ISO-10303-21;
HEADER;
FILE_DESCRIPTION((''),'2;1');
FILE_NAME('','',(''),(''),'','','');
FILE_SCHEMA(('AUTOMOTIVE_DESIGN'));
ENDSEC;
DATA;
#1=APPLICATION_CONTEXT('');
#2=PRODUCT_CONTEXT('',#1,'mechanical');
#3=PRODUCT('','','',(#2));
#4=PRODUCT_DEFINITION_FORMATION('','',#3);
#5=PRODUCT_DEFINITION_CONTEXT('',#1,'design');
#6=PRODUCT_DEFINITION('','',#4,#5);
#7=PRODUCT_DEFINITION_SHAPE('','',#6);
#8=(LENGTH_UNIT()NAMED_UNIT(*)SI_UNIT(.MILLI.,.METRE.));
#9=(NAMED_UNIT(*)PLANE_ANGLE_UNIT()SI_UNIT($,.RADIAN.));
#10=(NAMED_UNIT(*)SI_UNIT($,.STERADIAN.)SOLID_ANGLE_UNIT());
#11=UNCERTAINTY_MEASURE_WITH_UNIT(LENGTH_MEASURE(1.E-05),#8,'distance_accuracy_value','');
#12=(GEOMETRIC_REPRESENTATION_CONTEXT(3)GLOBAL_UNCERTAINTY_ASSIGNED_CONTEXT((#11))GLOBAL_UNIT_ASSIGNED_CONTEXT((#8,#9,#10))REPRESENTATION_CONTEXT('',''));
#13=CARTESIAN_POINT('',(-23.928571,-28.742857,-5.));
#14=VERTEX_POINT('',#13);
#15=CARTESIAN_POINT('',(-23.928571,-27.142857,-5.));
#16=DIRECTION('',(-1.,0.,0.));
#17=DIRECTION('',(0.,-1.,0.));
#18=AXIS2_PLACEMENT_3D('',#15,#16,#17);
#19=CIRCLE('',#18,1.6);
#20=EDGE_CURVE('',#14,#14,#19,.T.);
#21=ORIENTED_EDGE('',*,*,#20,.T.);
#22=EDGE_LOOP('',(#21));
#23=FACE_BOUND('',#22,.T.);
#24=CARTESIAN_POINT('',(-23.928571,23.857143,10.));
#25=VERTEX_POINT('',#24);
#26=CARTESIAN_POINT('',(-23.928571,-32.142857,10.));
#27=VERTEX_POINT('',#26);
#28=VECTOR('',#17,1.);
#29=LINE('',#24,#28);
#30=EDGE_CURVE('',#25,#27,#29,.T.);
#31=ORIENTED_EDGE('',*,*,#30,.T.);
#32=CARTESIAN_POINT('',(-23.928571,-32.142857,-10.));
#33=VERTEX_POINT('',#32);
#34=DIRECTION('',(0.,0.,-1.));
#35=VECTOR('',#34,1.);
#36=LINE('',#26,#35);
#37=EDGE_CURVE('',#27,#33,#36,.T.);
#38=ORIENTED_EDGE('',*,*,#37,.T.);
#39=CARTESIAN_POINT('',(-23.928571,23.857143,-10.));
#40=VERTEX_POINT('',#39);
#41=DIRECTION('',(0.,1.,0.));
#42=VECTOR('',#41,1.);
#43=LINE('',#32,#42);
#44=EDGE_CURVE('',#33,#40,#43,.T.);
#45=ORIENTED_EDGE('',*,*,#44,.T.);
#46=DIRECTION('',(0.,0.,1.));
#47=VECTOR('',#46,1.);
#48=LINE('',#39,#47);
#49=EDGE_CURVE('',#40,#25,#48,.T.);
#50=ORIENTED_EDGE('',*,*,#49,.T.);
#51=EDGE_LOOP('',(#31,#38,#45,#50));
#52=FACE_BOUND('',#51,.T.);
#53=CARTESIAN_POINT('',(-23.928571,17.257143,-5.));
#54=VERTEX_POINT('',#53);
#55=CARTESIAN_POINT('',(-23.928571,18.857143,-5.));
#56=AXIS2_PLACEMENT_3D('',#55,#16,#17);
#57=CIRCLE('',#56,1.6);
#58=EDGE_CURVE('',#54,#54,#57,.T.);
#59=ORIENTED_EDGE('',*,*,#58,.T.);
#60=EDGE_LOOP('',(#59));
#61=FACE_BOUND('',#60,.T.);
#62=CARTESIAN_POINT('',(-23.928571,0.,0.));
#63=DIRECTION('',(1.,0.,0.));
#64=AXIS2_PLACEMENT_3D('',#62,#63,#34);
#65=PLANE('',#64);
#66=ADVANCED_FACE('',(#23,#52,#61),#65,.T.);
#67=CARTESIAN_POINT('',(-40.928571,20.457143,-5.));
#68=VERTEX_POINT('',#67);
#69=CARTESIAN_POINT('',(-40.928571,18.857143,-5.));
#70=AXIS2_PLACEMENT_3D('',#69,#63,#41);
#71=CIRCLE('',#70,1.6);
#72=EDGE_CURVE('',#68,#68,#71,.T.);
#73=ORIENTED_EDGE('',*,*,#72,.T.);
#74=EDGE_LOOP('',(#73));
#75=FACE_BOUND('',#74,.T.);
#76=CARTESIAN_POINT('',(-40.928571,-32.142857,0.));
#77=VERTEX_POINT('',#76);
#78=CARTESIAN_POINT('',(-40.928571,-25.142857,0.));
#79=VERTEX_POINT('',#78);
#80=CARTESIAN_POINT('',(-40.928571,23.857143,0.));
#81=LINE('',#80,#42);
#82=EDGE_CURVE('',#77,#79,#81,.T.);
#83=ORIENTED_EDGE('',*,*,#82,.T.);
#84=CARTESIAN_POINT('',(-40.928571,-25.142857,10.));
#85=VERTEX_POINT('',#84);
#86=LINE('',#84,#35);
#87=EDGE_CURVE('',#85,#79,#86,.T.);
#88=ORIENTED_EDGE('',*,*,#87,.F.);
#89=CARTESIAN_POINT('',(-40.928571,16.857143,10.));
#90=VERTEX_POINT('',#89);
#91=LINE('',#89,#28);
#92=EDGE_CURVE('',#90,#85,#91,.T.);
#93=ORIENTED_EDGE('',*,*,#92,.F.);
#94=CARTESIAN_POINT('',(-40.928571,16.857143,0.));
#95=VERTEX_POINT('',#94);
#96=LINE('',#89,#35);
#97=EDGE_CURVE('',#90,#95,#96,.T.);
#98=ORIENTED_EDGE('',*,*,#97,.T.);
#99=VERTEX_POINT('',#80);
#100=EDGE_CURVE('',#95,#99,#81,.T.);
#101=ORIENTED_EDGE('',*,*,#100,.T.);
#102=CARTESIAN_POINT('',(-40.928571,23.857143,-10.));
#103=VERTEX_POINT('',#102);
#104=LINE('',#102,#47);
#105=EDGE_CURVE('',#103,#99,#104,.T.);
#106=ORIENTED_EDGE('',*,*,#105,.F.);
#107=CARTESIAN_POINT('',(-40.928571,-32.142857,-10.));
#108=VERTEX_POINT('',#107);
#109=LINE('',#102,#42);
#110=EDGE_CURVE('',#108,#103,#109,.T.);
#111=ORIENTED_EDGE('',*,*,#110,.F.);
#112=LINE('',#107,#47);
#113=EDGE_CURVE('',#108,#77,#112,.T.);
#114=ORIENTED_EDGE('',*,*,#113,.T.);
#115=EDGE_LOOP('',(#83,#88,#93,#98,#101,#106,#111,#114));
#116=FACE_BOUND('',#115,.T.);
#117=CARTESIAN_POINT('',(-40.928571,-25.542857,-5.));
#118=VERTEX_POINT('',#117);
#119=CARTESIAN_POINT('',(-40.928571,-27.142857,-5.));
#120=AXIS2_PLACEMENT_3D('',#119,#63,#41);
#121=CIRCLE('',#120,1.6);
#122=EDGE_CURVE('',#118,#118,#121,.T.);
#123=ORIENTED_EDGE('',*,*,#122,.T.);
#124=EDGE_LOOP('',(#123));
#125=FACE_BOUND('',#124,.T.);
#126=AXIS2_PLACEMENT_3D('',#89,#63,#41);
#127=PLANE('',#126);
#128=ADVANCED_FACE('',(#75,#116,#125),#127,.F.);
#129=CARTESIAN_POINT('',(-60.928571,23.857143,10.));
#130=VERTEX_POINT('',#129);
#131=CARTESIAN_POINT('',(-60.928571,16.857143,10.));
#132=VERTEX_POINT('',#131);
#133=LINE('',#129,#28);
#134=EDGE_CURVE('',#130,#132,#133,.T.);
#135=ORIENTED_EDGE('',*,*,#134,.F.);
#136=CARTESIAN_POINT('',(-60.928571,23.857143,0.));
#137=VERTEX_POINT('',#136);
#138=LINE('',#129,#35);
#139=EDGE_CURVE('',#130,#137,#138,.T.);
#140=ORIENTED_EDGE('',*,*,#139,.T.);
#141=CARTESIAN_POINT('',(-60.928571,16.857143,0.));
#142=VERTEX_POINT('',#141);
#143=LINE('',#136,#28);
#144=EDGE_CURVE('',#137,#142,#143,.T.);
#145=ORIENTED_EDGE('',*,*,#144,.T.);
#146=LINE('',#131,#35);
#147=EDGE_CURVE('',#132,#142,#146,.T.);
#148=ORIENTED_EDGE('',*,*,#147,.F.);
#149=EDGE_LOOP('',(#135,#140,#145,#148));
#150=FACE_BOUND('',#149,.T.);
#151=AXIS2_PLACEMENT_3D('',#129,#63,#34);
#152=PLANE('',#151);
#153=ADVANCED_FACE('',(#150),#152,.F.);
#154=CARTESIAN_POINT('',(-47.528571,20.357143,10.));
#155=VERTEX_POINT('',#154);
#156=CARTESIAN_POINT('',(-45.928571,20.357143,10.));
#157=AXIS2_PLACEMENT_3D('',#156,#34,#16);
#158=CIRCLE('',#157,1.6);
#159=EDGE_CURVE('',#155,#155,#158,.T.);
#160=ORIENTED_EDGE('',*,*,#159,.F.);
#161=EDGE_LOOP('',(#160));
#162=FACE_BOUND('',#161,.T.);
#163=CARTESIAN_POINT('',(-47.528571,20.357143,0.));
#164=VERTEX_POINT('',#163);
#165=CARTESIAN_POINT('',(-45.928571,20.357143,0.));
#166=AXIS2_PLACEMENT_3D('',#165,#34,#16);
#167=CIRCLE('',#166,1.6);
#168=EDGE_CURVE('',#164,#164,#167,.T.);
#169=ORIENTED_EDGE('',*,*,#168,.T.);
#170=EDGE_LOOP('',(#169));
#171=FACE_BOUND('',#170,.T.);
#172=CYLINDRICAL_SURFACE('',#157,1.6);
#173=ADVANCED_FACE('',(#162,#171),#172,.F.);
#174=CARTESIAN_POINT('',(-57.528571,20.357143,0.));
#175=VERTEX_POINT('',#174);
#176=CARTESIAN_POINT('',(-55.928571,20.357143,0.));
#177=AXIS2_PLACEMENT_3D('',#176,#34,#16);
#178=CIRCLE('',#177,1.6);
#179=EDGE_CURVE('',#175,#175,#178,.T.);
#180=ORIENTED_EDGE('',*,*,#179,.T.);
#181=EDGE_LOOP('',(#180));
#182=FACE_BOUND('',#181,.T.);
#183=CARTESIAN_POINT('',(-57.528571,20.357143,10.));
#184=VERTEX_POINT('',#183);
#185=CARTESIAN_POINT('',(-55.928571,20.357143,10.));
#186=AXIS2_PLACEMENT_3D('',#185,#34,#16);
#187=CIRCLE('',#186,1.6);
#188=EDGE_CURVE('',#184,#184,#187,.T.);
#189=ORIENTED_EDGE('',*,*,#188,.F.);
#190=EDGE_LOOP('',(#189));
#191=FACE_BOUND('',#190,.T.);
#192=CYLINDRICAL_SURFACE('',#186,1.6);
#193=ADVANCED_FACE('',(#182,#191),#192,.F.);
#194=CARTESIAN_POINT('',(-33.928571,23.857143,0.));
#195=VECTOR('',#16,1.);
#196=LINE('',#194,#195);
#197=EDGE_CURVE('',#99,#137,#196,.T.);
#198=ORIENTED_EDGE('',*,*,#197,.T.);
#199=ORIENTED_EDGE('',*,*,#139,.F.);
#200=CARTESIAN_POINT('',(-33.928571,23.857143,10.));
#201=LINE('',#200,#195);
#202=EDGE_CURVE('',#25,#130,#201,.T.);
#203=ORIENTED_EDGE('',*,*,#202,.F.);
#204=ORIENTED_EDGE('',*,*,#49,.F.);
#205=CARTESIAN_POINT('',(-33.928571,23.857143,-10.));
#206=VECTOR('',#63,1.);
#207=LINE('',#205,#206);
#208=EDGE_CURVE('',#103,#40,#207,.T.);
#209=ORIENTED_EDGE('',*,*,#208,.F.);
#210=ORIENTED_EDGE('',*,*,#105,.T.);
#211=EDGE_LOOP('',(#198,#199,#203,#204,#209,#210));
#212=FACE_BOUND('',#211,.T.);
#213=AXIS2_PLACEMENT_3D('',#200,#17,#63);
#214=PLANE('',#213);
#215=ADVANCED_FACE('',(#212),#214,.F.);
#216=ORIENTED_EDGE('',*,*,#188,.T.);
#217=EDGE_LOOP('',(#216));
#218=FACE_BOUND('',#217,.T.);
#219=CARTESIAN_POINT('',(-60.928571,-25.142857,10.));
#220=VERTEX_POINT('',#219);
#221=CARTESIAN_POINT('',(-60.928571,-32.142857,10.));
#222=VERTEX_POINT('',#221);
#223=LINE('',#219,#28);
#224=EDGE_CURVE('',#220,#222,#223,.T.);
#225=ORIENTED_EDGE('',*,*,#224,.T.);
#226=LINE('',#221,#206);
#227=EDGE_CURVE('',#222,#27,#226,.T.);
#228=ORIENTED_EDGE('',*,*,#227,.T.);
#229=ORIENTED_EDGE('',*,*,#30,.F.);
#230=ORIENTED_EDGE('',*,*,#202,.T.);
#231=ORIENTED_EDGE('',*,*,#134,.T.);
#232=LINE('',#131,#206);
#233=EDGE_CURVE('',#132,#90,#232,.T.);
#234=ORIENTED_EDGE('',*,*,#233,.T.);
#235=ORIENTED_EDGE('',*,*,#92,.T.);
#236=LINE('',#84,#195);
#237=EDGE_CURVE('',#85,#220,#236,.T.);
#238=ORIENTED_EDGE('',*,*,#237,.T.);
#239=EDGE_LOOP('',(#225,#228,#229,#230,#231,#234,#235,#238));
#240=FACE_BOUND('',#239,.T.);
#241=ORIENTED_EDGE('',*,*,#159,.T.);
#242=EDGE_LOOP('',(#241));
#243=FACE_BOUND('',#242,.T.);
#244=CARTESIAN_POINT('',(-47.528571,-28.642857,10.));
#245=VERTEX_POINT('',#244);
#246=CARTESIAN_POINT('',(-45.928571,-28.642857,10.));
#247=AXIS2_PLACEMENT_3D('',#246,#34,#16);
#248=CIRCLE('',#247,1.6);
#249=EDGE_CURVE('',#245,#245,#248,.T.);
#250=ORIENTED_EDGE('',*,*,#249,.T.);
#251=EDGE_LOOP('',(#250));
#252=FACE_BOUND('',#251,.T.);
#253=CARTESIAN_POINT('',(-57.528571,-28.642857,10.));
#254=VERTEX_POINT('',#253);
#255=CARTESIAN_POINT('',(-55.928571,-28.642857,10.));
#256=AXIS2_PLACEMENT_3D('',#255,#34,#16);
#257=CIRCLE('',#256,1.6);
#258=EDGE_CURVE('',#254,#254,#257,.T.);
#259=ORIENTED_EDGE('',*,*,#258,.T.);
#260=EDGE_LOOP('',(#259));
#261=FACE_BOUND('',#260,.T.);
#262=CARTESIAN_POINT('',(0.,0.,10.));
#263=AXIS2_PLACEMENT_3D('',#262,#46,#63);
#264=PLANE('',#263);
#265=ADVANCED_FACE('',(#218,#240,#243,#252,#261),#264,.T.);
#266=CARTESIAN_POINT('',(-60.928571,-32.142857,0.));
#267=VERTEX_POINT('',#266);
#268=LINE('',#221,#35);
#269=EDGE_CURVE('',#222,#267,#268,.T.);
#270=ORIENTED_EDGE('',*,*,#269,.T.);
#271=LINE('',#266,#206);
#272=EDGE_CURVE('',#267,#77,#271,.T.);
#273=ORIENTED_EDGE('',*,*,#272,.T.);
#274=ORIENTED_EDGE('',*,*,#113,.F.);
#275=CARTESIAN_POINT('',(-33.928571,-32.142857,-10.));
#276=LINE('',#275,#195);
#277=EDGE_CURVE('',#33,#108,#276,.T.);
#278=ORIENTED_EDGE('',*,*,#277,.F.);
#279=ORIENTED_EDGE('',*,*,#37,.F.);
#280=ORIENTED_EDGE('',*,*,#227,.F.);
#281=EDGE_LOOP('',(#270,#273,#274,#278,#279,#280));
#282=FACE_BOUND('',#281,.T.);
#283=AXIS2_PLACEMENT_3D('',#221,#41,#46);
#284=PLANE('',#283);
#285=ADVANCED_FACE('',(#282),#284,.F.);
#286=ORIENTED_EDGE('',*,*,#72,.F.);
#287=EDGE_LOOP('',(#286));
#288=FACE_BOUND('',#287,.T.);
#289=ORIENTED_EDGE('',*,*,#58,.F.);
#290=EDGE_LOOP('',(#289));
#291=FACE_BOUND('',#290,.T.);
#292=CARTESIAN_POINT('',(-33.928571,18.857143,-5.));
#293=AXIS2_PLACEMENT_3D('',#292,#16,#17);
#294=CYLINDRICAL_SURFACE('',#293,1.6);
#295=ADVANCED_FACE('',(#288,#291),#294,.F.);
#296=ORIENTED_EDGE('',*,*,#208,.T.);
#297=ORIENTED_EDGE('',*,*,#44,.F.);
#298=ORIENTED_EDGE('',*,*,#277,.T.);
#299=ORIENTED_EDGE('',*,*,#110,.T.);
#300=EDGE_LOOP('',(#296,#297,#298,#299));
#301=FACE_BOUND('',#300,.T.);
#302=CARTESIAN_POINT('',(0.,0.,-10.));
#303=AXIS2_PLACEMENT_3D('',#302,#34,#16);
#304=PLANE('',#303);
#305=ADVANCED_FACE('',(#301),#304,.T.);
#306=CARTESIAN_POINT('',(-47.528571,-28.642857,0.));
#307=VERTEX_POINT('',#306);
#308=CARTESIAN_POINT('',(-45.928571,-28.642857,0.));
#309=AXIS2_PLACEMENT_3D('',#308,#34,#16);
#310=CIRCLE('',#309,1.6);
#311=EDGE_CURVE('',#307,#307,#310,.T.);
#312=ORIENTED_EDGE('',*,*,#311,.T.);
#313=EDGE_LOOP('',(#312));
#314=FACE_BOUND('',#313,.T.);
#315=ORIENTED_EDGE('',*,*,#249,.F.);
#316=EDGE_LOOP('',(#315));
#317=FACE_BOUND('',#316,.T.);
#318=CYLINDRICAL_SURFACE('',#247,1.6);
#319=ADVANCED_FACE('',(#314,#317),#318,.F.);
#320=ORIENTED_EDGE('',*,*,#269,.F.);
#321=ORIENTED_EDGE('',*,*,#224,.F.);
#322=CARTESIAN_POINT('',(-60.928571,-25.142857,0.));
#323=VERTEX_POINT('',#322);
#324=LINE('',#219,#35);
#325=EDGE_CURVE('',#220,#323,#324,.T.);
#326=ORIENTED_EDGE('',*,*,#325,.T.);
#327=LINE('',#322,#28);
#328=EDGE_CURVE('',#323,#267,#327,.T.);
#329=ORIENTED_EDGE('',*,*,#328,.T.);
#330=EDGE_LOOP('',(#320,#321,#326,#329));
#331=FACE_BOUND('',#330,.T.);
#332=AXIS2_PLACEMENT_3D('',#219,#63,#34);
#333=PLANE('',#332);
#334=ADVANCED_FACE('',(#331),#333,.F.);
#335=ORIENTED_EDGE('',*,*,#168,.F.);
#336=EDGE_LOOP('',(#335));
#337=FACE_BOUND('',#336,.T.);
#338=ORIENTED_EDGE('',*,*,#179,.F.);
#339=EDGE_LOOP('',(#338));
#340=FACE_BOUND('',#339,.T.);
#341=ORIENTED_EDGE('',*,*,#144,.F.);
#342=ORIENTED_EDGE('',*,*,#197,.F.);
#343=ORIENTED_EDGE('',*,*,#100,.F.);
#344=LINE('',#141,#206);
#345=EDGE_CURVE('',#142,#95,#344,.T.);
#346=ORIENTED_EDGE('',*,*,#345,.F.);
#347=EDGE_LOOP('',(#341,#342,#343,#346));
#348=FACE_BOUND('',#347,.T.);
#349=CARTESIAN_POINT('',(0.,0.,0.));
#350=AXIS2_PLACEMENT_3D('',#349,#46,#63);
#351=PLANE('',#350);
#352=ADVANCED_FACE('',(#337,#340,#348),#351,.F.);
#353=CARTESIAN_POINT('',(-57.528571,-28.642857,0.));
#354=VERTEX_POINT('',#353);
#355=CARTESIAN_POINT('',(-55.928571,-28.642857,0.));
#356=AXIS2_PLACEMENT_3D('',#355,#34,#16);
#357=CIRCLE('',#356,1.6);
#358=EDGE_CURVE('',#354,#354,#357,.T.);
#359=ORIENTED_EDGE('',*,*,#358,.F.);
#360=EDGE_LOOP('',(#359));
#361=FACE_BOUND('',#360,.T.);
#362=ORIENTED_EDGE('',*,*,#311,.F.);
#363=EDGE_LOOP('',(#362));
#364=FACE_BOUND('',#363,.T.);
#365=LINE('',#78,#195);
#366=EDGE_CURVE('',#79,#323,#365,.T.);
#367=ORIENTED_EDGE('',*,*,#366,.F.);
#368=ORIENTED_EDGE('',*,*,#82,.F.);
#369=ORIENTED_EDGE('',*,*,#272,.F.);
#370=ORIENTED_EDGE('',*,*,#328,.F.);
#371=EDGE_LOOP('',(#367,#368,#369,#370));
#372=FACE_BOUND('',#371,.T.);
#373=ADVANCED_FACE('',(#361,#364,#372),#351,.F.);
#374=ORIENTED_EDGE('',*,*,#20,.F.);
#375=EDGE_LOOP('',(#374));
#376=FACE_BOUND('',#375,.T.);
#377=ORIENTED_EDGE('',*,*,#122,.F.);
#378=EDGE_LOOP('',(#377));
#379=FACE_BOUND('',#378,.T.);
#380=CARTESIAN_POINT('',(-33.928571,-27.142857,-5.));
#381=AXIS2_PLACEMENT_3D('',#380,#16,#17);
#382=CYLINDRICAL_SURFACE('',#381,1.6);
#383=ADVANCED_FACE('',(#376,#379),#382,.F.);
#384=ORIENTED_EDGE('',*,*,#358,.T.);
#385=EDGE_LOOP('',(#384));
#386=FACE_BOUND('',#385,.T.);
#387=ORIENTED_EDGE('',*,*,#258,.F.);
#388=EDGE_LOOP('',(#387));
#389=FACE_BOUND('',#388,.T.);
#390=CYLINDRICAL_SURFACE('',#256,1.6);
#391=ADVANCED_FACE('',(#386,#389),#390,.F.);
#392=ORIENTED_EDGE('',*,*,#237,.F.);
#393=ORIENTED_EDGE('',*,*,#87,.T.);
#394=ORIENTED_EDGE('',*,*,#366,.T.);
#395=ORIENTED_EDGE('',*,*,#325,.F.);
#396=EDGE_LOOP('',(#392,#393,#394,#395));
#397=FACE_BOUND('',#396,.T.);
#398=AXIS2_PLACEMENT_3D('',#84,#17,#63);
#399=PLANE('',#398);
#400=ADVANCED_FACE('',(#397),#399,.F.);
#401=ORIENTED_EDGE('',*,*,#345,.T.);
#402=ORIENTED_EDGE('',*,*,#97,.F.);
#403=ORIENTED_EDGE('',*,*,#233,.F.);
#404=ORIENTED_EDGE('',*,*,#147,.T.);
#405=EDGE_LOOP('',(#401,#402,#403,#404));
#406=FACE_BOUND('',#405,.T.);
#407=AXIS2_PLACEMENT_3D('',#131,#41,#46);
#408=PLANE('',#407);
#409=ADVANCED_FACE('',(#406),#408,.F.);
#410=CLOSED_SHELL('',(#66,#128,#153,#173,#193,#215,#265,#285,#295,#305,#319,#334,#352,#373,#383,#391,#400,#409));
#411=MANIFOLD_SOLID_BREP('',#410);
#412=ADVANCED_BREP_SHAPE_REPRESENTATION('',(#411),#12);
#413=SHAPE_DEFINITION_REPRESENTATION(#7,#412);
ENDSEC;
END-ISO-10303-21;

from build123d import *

# Parameters (mm, degrees)
EXTRUDE_1_DEPTH          = 10
SKETCH_2_R               = 1.6
CUT_EXTRUDE_1_DEPTH      = 10
SKETCH_3_W               = 7
SKETCH_3_H               = 56
EXTRUDE_2_DEPTH          = 10
CUT_EXTRUDE_2_DEPTH      = 40.155628782
CUT_EXTRUDE_2_DEPTH_BACK = 40.155628782
SKETCH_4_R               = 1.6
SKETCH_5_W               = 20
SKETCH_5_H               = 56
EXTRUDE_3_DEPTH          = 10
SKETCH_6_R               = 1.6
CUT_EXTRUDE_3_DEPTH      = 40.155628782


with BuildPart() as part:
    # ｽｹｯﾁ1 → ﾎﾞｽ - 押し出し1 (new body)
    with BuildSketch(Plane.XY):
        Polygon((-60.928571429, 23.857142857), (-60.928571429, 16.857142857), (-40.928571429, 16.857142857), (-40.928571429, -25.142857143), (-60.928571429, -25.142857143), (-60.928571429, -32.142857143), (-33.928571429, -32.142857143), (-33.928571429, 23.857142857), align=None)
    extrude(amount=EXTRUDE_1_DEPTH)

    # ｽｹｯﾁ2 → ｶｯﾄ - 押し出し1 (cut)
    with BuildSketch(Plane(origin=(0, 0, 0), x_dir=(-1, 0, 0), z_dir=(0, 0, -1))):
        with Locations((45.928571429, 20.357142857)):
            Circle(SKETCH_2_R)
        with Locations((55.928571429, 20.357142857)):
            Circle(SKETCH_2_R)
        with Locations((45.928571429, -28.642857143)):
            Circle(SKETCH_2_R)
        with Locations((55.928571429, -28.642857143)):
            Circle(SKETCH_2_R)
    extrude(amount=-CUT_EXTRUDE_1_DEPTH, mode=Mode.SUBTRACT)

    # ｽｹｯﾁ3 → ﾎﾞｽ - 押し出し2 (add)
    with BuildSketch(Plane(origin=(0, 0, 0), x_dir=(-1, 0, 0), z_dir=(0, 0, -1))):
        with Locations((37.428571429, -4.142857143)):
            Rectangle(SKETCH_3_W, SKETCH_3_H)
    extrude(amount=EXTRUDE_2_DEPTH)

    # ｽｹｯﾁ4 → ｶｯﾄ - 押し出し2 (cut, two sides: drawn at the far end of the back side and taken through both)
    with BuildSketch(Plane.ZY.offset(40.928571429).offset(-CUT_EXTRUDE_2_DEPTH_BACK)):
        with Locations(Location((-5, 18.857142857, 0), (0, 0, 270))):
            Circle(SKETCH_4_R)
        with Locations(Location((-5, -27.142857143, 0), (0, 0, 270))):
            Circle(SKETCH_4_R)
    extrude(amount=CUT_EXTRUDE_2_DEPTH + CUT_EXTRUDE_2_DEPTH_BACK, mode=Mode.SUBTRACT)

    # ｽｹｯﾁ5 → ﾎﾞｽ - 押し出し3 (add)
    with BuildSketch(Plane(origin=(-33.928571429, 0, 0), x_dir=(0, 0, -1), z_dir=(1, 0, 0))):
        with Locations((0, -4.142857143)):
            Rectangle(SKETCH_5_W, SKETCH_5_H)
    extrude(amount=EXTRUDE_3_DEPTH)

    # ｽｹｯﾁ6 → ｶｯﾄ - 押し出し3 (cut, through all)
    with BuildSketch(Plane.ZY.offset(40.928571429)):
        with Locations(Location((-5, 18.857142857, 0), (0, 0, 270))):
            Circle(SKETCH_6_R)
        with Locations(Location((-5, -27.142857143, 0), (0, 0, 270))):
            Circle(SKETCH_6_R)
    extrude(amount=-CUT_EXTRUDE_3_DEPTH, mode=Mode.SUBTRACT)


solid = part.part
